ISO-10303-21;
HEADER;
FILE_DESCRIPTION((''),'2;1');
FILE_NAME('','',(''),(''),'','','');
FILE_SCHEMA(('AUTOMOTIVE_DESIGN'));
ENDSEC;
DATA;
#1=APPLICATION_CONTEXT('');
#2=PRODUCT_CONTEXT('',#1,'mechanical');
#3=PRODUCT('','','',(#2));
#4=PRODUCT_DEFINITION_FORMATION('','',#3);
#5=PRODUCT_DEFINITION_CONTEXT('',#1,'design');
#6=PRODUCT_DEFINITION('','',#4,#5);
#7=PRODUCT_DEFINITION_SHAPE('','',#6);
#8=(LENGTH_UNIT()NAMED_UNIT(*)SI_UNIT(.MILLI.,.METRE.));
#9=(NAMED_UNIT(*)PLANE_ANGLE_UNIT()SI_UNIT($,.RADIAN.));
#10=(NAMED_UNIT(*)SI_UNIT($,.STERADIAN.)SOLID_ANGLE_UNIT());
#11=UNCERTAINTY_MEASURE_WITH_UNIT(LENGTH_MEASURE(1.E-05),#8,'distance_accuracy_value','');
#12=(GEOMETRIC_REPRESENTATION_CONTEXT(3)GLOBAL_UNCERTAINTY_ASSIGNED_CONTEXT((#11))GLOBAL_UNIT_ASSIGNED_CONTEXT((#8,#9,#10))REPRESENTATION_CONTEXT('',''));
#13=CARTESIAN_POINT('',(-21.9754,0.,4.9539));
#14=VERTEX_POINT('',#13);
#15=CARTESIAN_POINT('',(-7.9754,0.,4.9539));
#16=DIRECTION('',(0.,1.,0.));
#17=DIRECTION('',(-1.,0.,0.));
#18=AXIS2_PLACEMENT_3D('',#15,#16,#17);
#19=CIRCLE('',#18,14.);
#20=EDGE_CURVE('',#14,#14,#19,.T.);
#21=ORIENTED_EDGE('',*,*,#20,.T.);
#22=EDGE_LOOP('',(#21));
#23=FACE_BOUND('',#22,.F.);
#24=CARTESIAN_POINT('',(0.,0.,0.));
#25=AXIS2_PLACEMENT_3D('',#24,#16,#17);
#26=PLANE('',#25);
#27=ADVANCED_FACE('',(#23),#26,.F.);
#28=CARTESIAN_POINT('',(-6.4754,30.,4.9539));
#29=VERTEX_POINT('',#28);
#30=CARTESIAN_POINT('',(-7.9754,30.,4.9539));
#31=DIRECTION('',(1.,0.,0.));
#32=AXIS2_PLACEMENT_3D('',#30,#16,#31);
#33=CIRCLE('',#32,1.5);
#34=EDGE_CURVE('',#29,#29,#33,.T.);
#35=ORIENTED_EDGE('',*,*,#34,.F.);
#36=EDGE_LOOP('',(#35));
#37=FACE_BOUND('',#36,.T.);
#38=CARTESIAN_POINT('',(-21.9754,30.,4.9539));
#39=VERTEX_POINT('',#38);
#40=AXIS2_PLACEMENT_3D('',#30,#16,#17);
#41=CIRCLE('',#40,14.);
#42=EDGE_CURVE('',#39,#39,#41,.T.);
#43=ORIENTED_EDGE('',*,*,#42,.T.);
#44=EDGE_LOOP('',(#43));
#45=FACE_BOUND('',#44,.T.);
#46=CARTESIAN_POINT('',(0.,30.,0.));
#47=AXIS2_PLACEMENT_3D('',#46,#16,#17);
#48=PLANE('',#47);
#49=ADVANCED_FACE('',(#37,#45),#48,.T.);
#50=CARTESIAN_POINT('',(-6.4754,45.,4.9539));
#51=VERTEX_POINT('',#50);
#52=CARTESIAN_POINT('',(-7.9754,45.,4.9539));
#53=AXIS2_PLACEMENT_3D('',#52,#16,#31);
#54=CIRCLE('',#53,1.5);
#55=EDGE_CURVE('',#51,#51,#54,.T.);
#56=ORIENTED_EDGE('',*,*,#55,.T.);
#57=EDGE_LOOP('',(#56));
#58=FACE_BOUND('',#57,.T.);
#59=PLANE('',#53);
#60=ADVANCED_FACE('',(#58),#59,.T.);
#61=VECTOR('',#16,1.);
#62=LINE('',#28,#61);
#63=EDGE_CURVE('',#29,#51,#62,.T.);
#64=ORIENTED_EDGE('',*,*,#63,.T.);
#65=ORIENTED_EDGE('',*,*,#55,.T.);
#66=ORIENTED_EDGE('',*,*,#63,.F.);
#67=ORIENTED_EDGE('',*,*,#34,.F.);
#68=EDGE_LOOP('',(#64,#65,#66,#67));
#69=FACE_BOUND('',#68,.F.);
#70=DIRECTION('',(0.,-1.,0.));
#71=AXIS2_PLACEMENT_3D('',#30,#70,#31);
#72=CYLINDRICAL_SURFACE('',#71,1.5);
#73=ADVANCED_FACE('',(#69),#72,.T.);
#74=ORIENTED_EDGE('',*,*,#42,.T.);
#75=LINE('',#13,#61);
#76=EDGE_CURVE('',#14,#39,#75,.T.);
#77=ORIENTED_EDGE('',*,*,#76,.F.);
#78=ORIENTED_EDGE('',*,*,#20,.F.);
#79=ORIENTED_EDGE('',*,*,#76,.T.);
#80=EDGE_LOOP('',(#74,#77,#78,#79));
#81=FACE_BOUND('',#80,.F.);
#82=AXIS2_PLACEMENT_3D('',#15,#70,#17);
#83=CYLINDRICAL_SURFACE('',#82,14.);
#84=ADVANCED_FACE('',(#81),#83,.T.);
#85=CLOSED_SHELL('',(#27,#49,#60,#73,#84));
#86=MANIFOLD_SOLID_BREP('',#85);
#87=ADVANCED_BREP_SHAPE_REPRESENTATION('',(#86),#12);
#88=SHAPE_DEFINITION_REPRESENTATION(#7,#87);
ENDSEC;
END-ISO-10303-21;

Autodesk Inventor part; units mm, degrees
ref_plane "YZ Plane" through (0, 0, 0) normal (1, 0, 0) x (0, 1, 0)
ref_plane "XZ Plane" through (0, 0, 0) normal (0, 1, 0) x (-1, 0, 0)
ref_plane "XY Plane" through (0, 0, 0) normal (0, 0, 1) x (1, 0, 0)
sketch "草图1" plane through (0, 0, 0) normal (0, 1, 0) x (-1, 0, 0)
  circle A0 centre (7.9754, 4.9539) radius 14
  point P0 (0, 0)
  dimension "d0" = 28
extrude "拉伸1" add sketch "草图1" along normal blind 30
sketch "草图2" plane through (-7.9754, 30, 4.9539) normal (0, 1, 0) x (1, 0, 0)
  circle A0 centre (0, 0) radius 1.5
  point P0 (7.9754, 4.9539)
  dimension "d3" = 3
extrude "拉伸2" add sketch "草图2" along normal blind 15
properties part number "电机"
